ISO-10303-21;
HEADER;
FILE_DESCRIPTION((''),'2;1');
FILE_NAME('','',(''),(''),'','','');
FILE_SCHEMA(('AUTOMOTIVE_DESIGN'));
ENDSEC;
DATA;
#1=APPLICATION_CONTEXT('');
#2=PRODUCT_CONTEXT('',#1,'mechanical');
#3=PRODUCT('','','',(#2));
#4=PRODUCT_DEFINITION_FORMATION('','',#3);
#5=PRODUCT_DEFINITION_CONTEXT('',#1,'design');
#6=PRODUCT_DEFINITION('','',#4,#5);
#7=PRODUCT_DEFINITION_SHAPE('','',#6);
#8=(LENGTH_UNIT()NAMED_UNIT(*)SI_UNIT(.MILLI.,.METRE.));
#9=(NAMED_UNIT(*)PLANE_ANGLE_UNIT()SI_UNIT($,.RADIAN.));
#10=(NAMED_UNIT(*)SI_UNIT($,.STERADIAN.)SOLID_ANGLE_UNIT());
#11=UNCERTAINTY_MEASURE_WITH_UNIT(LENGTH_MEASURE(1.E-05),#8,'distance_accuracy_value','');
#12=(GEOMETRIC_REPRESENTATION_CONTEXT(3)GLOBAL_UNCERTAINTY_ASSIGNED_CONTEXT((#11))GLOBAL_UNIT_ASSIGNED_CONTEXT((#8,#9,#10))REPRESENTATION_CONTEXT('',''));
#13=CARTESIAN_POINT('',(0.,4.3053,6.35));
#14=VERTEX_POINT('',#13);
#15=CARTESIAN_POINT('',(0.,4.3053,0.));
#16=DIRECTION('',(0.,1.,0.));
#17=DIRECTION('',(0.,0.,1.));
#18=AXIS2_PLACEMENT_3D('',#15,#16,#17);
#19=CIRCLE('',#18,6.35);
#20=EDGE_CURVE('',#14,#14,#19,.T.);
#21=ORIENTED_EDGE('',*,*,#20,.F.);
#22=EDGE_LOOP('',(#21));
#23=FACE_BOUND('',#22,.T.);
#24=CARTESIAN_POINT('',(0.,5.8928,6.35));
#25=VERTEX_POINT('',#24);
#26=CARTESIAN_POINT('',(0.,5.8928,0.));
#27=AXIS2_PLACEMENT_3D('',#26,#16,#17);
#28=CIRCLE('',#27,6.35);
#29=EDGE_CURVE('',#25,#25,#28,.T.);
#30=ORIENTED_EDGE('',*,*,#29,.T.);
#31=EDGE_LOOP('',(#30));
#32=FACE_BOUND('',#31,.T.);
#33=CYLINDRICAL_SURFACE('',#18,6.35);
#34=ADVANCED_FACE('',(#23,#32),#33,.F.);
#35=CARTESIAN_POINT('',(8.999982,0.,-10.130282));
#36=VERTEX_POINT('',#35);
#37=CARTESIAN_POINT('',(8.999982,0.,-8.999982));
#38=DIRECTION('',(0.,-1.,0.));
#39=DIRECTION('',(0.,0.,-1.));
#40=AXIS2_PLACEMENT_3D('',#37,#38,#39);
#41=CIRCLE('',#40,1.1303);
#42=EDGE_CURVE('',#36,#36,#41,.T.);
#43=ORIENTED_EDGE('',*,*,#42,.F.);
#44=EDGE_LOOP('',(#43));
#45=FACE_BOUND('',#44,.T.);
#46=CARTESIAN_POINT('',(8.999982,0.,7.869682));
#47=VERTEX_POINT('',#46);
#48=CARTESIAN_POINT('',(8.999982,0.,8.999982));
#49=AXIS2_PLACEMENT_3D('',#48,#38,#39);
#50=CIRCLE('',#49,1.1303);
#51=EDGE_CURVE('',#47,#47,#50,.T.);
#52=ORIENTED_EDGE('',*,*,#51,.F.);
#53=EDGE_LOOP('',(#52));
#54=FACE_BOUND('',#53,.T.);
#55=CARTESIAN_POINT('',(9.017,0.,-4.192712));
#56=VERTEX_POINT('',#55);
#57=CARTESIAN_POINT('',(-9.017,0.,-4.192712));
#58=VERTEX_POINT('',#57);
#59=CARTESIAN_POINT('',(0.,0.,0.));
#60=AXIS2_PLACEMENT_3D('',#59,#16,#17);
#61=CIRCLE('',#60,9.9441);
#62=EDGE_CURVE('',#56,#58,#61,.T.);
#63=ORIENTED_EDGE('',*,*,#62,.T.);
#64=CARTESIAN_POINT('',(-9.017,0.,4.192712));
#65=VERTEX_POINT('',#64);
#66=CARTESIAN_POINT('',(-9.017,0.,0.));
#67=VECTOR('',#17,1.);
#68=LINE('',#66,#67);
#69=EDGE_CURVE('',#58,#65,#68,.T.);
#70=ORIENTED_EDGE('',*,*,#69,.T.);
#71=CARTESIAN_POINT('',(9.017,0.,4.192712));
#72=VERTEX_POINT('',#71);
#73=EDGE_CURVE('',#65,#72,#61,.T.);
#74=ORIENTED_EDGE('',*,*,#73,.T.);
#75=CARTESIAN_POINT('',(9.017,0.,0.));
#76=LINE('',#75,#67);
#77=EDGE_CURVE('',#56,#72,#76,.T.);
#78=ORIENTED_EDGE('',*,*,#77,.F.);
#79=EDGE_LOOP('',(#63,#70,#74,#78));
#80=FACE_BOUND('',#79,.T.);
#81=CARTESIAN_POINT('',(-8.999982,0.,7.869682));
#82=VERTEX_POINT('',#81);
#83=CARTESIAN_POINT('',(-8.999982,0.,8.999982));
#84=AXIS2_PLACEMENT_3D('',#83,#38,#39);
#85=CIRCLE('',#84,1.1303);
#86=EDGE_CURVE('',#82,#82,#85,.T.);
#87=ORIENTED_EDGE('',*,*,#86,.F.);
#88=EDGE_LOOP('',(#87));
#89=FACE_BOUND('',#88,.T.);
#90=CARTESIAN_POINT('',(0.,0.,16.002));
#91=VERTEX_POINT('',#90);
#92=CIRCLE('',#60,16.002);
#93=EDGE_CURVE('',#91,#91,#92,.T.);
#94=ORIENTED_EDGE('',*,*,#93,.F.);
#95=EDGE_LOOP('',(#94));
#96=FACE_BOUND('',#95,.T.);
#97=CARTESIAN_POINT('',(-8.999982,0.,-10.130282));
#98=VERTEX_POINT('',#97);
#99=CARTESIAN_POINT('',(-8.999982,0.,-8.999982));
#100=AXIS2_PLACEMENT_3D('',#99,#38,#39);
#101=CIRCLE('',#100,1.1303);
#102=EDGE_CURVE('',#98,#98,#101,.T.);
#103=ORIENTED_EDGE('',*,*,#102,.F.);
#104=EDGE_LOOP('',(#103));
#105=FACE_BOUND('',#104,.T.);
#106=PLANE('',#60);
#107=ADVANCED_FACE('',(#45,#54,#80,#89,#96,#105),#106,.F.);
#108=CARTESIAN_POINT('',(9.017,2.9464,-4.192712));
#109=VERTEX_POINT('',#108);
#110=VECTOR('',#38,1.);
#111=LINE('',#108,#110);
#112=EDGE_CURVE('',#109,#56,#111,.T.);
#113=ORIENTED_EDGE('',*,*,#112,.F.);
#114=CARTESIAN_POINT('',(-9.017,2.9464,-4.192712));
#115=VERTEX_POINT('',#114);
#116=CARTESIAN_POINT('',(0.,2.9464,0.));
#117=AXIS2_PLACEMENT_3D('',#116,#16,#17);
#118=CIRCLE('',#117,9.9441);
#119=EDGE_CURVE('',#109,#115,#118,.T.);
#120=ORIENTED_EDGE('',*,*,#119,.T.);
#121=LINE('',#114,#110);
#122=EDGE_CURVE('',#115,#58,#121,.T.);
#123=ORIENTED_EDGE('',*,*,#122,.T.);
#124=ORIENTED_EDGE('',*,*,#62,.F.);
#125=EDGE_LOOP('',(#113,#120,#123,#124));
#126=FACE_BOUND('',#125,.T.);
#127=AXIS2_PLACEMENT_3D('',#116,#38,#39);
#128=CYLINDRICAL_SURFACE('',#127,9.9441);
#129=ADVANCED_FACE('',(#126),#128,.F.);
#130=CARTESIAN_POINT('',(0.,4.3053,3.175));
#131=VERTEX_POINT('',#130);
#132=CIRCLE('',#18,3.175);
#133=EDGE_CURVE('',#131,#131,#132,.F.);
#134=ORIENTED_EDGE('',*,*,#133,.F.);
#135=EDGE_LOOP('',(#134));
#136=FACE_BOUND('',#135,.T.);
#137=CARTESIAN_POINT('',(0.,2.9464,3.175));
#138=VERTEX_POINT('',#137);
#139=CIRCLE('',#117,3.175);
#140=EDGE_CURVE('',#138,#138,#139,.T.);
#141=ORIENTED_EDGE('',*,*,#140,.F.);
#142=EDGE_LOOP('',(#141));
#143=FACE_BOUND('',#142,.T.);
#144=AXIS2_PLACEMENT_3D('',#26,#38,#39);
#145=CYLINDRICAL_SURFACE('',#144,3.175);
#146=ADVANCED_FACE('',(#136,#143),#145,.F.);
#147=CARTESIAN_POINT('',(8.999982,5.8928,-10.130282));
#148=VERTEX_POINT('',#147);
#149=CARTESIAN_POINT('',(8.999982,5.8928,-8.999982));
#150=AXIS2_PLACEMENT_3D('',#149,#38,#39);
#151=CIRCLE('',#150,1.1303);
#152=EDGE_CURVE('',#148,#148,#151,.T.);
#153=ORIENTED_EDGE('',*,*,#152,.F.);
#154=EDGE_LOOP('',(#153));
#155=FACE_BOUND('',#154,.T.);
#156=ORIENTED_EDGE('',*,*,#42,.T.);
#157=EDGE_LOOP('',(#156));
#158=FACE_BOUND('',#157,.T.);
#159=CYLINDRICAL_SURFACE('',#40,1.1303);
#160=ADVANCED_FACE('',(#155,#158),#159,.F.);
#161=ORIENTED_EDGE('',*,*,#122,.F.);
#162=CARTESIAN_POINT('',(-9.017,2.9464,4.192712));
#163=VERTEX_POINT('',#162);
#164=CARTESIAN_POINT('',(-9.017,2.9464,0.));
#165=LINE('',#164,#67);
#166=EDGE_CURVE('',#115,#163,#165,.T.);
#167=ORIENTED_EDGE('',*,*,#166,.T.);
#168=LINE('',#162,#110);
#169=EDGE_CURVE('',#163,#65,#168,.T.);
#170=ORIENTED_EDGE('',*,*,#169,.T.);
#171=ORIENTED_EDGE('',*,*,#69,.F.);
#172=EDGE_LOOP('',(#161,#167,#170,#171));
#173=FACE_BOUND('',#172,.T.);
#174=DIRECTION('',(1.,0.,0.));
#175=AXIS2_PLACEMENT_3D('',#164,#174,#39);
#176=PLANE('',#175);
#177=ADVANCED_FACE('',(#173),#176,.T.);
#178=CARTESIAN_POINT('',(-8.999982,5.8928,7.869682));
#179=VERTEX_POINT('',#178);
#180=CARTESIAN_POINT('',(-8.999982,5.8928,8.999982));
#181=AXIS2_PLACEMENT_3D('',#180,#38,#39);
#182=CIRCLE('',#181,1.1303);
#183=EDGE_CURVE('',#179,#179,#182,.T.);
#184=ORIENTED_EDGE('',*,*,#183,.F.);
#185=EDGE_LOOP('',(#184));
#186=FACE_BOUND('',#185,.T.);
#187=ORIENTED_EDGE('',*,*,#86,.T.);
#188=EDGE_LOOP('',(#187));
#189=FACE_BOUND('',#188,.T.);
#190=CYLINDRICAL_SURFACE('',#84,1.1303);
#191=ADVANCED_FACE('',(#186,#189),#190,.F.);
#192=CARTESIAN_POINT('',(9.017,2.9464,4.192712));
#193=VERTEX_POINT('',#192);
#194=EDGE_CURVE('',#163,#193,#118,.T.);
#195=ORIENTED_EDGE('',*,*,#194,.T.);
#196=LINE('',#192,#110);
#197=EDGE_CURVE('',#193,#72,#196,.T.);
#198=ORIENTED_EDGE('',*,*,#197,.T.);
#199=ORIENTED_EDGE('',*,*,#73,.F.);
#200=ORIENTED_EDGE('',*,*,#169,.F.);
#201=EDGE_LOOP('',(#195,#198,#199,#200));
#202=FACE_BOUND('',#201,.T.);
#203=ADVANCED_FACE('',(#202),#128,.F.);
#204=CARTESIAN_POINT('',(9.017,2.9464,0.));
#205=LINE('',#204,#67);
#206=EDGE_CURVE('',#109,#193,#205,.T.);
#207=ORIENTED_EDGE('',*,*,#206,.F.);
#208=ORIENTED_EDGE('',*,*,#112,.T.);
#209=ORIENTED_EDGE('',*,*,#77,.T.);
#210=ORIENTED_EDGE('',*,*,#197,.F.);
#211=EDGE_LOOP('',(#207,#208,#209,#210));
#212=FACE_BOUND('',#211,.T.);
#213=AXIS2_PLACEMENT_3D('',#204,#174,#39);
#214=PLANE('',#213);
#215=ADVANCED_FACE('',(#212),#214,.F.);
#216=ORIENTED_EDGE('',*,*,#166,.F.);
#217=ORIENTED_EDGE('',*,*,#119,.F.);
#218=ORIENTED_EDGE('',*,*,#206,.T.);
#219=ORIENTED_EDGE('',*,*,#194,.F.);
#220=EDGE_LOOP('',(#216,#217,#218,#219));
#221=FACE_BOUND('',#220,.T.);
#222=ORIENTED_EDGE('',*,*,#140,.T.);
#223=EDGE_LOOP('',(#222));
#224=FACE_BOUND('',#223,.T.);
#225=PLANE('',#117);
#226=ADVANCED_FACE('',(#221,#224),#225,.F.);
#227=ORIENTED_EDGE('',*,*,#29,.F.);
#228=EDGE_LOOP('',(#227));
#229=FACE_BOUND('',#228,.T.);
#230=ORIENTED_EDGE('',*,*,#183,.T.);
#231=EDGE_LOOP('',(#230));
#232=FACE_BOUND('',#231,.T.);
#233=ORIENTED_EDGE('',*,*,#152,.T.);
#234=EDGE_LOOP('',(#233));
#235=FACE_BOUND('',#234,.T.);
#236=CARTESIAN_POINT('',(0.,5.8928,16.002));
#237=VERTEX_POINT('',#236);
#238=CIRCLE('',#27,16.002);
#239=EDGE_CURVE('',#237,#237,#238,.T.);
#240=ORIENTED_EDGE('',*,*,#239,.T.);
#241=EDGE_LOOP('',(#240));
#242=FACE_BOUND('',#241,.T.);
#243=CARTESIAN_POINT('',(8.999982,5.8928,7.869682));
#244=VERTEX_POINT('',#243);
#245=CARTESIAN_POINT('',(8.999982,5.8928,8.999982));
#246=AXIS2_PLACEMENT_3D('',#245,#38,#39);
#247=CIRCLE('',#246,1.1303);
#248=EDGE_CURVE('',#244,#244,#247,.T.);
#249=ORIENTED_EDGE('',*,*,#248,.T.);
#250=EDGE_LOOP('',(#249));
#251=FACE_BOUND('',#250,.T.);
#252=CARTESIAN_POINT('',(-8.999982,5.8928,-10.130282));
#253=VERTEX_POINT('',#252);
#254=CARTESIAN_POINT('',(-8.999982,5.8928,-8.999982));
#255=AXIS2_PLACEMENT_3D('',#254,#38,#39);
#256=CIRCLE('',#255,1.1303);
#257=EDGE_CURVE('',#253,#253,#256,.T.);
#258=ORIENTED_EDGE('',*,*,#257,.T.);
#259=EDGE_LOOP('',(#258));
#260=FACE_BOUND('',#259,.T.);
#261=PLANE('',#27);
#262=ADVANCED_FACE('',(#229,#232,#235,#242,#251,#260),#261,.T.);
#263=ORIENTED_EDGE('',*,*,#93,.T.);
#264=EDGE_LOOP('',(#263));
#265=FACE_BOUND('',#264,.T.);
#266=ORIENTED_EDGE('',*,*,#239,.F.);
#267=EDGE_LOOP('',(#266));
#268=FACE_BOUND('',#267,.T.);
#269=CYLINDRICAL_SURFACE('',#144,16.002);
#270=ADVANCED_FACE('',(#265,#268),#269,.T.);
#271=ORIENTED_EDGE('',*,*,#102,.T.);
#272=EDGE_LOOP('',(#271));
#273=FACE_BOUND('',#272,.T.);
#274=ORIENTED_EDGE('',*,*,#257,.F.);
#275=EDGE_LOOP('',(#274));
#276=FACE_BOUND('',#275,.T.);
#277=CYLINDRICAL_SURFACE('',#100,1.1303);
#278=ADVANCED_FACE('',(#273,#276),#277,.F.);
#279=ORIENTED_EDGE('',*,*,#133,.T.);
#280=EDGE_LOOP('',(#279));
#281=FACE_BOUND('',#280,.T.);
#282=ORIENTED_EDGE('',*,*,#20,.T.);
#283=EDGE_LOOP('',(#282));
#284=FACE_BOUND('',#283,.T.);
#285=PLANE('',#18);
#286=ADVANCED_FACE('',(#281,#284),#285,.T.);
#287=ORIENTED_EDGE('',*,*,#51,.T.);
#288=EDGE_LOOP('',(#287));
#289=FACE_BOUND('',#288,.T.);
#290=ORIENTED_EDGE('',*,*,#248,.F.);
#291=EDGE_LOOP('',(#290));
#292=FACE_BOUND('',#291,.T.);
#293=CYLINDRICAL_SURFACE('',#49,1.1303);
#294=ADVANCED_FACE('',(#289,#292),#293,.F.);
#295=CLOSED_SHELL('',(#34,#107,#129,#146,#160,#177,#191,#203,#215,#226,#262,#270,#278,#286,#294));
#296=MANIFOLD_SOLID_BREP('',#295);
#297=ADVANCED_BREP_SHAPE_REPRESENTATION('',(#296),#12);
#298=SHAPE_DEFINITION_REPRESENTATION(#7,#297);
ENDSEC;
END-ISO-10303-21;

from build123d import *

# Parameters (mm, degrees)
SKETCH2_R             = 16.002
BOSS_EXTRUDE2_DEPTH   = 5.8928
CUT_EXTRUDE1_DEPTH    = 2.9464
F_4_40_TAPPED_HOLE1_D = 2.2606
SKETCH3_R             = 3.175
CUT_EXTRUDE2_DEPTH    = 24.384890418
SKETCH5_R             = 6.35
CUT_EXTRUDE3_DEPTH    = 1.5875


with BuildPart() as part:
    # Sketch2 → Boss-Extrude2 (new body)
    with BuildSketch(Plane(origin=(0, 0, 0), x_dir=(1, 0, 0), z_dir=(0, 1, 0))):
        Circle(SKETCH2_R)
    extrude(amount=BOSS_EXTRUDE2_DEPTH)

    # Sketch2<3> → Cut-Extrude1 (cut)
    with BuildSketch(Plane(origin=(0, 0, 0), x_dir=(1, 0, 0), z_dir=(0, 1, 0))):
        with BuildLine():
            ThreePointArc((9.017, 4.192712226), (0, 9.9441), (-9.017, 4.192712226))
            Line((-9.017, 4.192712226), (-9.017, -4.192712226))
            ThreePointArc((-9.017, -4.192712226), (0, -9.9441), (9.017, -4.192712226))
            Line((9.017, -4.192712226), (9.017, 4.192712226))
        make_face()
    extrude(amount=CUT_EXTRUDE1_DEPTH, mode=Mode.SUBTRACT)

    # #4-40 Tapped Hole1 (through all)
    with Locations(Plane(origin=(-8.999982, 0, 8.999982), x_dir=(0, 0, -1), z_dir=(0, -1, 0))):
        with Locations((0, 0), (0, 17.999964), (17.999964, 17.999964), (17.999964, 0)):
            Hole(F_4_40_TAPPED_HOLE1_D / 2)

    # Sketch3 → Cut-Extrude2 (cut, through all)
    with BuildSketch(Plane.XZ):
        Circle(SKETCH3_R)
    extrude(amount=-CUT_EXTRUDE2_DEPTH, mode=Mode.SUBTRACT)

    # Sketch5 → Cut-Extrude3 (cut)
    with BuildSketch(Plane(origin=(0, 5.8928, 0), x_dir=(1, 0, 0), z_dir=(0, 1, 0))):
        Circle(SKETCH5_R)
    extrude(amount=-CUT_EXTRUDE3_DEPTH, mode=Mode.SUBTRACT)


solid = part.part
